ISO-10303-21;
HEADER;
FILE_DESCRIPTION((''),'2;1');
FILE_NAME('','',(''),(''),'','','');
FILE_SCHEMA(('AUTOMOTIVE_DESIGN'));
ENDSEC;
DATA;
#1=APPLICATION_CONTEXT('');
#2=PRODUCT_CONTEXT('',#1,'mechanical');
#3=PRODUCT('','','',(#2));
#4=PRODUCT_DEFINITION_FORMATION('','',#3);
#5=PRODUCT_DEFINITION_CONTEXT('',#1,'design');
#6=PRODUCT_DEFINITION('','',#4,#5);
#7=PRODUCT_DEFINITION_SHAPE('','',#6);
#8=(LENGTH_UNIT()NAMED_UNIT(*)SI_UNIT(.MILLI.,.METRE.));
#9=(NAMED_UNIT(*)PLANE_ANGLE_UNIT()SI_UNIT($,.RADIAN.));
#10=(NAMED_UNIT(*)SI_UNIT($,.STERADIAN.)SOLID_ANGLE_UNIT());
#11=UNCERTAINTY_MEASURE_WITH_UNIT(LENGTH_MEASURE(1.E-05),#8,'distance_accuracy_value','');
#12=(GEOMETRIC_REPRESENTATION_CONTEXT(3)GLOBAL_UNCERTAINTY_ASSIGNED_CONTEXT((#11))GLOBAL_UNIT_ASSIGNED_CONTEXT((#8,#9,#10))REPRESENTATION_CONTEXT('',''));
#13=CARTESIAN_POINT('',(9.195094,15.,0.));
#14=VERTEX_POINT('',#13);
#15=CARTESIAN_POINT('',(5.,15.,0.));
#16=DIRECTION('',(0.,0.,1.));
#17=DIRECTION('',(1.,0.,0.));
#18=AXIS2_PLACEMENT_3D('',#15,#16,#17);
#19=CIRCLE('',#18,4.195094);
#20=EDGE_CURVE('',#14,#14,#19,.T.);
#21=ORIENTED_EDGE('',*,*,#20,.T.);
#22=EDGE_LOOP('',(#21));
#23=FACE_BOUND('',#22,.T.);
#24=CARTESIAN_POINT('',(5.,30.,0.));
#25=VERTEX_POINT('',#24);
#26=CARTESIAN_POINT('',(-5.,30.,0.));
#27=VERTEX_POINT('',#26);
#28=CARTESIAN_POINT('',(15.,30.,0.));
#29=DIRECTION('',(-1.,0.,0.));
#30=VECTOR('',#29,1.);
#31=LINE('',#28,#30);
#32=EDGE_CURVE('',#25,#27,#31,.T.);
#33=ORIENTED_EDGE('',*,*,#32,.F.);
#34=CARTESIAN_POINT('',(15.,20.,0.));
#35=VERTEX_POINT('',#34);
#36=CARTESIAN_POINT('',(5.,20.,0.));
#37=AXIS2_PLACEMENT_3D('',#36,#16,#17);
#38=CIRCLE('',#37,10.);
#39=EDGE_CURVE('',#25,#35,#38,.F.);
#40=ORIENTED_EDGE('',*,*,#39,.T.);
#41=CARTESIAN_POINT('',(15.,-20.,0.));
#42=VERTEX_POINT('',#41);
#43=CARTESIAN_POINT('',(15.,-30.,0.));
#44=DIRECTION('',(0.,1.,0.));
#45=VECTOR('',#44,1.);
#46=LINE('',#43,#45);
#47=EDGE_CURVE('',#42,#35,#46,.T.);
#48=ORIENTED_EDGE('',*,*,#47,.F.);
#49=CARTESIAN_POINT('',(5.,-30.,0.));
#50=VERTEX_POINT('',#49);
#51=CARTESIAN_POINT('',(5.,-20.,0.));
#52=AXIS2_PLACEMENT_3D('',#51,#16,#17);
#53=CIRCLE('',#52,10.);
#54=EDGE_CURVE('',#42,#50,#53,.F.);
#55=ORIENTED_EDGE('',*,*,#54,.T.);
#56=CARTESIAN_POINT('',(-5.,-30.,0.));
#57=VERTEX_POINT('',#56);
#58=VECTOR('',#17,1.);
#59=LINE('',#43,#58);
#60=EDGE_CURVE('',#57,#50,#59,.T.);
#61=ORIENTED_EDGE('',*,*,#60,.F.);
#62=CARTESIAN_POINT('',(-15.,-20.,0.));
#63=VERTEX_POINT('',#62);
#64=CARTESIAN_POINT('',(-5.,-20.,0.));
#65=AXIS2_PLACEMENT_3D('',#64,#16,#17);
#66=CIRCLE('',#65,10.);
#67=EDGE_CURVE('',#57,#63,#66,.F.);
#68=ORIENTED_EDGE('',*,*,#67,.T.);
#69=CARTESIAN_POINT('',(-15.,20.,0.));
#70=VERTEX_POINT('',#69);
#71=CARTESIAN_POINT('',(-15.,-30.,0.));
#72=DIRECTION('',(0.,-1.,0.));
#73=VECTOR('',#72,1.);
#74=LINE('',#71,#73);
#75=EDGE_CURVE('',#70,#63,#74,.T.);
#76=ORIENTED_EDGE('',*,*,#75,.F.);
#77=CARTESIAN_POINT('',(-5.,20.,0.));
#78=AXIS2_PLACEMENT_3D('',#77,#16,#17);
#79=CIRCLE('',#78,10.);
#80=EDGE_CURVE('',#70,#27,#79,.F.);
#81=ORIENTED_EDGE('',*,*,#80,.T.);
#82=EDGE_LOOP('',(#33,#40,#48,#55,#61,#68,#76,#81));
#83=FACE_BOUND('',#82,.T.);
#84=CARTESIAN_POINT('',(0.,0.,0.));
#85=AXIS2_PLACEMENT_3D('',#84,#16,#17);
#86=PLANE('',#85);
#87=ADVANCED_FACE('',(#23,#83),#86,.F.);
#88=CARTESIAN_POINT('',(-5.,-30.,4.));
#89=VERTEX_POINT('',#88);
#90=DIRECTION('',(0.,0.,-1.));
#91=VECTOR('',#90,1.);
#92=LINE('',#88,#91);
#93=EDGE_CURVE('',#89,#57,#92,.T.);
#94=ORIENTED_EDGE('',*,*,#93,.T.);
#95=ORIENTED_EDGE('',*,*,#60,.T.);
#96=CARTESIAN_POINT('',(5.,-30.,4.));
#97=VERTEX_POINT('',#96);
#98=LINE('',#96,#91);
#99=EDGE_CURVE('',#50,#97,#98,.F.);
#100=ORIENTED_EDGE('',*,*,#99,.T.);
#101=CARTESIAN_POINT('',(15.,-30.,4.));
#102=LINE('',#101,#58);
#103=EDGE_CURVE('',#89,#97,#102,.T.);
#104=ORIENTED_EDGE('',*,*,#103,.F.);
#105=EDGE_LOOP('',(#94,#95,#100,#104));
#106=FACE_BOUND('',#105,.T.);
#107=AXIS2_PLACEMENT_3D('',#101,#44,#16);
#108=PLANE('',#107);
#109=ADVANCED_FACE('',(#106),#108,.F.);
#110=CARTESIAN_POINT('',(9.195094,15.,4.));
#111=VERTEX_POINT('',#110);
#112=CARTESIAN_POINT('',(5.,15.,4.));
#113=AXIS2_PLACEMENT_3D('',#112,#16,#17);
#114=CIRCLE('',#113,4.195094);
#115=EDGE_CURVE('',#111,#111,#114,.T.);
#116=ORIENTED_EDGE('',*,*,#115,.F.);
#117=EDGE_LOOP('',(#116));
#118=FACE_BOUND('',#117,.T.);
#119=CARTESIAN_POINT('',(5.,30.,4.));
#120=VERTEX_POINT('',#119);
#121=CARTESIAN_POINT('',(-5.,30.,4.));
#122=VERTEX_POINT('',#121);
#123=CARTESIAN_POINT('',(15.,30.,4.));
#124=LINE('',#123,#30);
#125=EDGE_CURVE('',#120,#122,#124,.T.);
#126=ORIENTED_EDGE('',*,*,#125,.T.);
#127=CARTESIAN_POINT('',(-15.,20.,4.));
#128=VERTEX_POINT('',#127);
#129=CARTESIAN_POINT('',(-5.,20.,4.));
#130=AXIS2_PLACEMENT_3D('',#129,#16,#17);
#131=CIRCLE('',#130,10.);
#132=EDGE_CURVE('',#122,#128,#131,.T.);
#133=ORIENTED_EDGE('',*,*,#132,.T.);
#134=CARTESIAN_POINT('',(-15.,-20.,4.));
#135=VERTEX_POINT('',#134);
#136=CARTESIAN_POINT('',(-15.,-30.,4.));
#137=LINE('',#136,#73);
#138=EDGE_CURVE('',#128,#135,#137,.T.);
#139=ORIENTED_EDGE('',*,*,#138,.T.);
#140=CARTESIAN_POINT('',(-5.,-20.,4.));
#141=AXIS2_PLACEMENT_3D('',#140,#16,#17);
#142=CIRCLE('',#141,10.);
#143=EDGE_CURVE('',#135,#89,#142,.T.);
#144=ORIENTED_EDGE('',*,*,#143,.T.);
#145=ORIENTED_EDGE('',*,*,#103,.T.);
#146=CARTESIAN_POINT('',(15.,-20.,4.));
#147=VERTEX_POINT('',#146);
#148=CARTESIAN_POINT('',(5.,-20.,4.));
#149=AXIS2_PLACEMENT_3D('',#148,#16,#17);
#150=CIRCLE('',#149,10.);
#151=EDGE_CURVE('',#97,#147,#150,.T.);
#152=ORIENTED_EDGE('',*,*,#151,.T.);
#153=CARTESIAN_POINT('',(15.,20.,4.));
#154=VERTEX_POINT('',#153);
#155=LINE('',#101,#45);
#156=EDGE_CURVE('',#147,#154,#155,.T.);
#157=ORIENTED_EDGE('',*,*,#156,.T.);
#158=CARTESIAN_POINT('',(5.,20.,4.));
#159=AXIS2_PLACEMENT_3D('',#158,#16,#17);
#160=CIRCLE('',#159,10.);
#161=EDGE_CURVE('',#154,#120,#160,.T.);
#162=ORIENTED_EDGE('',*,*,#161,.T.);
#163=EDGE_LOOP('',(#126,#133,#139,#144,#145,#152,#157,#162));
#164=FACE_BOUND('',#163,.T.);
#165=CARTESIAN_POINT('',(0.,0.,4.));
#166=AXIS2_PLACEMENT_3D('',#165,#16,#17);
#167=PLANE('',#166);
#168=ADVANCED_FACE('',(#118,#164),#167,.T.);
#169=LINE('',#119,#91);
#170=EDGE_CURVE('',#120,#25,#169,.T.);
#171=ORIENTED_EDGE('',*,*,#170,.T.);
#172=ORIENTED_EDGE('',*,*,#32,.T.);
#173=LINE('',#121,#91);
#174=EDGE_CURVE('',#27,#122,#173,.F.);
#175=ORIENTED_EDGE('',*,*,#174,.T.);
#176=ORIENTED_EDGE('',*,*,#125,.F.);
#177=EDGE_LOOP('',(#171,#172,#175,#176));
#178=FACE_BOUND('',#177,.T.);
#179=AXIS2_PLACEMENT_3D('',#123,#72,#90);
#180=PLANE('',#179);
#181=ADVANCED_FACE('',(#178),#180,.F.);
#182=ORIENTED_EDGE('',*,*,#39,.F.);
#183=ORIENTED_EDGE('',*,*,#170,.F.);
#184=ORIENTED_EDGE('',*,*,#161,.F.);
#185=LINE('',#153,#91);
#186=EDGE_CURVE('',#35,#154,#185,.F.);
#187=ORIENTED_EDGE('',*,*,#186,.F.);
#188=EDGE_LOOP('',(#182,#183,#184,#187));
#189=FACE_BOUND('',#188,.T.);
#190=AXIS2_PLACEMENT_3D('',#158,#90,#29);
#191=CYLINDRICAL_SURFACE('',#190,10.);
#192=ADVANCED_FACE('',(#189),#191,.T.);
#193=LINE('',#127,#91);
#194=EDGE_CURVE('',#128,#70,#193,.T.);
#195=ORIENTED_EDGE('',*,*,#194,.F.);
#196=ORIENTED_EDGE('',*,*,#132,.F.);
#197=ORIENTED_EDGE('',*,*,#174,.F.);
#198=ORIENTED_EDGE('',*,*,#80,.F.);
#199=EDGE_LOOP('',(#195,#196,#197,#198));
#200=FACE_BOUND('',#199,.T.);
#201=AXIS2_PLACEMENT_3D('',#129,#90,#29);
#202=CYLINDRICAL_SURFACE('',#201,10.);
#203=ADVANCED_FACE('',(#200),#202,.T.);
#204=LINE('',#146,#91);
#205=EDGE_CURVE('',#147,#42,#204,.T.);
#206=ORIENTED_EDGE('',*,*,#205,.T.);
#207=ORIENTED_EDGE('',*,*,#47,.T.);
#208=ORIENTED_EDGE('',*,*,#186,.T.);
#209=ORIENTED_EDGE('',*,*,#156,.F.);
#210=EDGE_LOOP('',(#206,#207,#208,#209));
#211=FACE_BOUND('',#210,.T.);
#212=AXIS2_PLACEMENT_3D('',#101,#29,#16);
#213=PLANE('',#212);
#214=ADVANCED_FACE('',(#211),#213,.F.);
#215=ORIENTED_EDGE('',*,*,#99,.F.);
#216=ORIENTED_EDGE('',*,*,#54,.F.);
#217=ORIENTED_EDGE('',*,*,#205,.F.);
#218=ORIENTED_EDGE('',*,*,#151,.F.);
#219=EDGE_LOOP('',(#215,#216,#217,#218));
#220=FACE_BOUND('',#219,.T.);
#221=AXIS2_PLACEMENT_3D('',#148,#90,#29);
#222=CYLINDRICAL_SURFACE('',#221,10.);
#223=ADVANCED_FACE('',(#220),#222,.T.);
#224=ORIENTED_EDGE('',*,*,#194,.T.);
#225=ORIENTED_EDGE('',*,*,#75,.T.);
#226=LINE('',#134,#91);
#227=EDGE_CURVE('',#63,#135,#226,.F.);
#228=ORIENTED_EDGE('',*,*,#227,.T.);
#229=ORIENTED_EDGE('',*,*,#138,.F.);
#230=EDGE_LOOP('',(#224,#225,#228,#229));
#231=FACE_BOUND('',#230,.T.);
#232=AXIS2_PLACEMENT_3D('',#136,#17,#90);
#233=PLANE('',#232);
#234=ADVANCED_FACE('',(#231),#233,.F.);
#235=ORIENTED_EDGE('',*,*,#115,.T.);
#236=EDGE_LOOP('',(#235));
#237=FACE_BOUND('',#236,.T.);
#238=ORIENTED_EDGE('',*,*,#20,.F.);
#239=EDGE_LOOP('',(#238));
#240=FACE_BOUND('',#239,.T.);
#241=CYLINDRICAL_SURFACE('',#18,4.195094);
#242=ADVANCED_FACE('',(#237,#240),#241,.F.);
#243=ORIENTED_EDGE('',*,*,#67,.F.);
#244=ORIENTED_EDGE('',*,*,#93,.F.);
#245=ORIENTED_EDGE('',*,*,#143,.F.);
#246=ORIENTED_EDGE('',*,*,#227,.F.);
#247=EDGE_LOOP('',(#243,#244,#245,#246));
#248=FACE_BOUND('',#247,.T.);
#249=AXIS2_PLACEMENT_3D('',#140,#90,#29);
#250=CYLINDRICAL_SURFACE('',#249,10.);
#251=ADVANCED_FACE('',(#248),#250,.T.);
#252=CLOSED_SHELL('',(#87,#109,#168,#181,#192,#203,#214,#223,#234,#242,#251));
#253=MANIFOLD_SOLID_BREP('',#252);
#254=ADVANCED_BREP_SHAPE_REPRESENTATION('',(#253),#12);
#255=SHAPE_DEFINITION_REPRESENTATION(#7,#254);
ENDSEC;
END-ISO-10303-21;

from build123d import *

# Parameters (mm, degrees)
SKETCH_2_W          = 30
SKETCH_2_H          = 60
EXTRUDE_1_DEPTH     = 4
SKETCH_3_R          = 4.195093659
CUT_EXTRUDE_1_DEPTH = 34.778691508
FILLET_1_R          = 10


with BuildPart() as part:
    # 草圖2 → 填料-伸長1 (new body)
    with BuildSketch(Plane.XY):
        Rectangle(SKETCH_2_W, SKETCH_2_H)
    extrude(amount=EXTRUDE_1_DEPTH)

    # 草圖3 → 除料-伸長1 (cut, through all)
    with BuildSketch(Plane.XY.offset(4)):
        with Locations((5, 15)):
            Circle(SKETCH_3_R)
    extrude(amount=-CUT_EXTRUDE_1_DEPTH, mode=Mode.SUBTRACT)

    # 圓角1
    fillet_1_edges = [part.edges().sort_by_distance(p)[0] for p in [
        (-15, 30, 2),
        (15, 30, 2),
        (15, -30, 2),
        (-15, -30, 2),
    ]]
    fillet(fillet_1_edges, radius=FILLET_1_R)


solid = part.part
